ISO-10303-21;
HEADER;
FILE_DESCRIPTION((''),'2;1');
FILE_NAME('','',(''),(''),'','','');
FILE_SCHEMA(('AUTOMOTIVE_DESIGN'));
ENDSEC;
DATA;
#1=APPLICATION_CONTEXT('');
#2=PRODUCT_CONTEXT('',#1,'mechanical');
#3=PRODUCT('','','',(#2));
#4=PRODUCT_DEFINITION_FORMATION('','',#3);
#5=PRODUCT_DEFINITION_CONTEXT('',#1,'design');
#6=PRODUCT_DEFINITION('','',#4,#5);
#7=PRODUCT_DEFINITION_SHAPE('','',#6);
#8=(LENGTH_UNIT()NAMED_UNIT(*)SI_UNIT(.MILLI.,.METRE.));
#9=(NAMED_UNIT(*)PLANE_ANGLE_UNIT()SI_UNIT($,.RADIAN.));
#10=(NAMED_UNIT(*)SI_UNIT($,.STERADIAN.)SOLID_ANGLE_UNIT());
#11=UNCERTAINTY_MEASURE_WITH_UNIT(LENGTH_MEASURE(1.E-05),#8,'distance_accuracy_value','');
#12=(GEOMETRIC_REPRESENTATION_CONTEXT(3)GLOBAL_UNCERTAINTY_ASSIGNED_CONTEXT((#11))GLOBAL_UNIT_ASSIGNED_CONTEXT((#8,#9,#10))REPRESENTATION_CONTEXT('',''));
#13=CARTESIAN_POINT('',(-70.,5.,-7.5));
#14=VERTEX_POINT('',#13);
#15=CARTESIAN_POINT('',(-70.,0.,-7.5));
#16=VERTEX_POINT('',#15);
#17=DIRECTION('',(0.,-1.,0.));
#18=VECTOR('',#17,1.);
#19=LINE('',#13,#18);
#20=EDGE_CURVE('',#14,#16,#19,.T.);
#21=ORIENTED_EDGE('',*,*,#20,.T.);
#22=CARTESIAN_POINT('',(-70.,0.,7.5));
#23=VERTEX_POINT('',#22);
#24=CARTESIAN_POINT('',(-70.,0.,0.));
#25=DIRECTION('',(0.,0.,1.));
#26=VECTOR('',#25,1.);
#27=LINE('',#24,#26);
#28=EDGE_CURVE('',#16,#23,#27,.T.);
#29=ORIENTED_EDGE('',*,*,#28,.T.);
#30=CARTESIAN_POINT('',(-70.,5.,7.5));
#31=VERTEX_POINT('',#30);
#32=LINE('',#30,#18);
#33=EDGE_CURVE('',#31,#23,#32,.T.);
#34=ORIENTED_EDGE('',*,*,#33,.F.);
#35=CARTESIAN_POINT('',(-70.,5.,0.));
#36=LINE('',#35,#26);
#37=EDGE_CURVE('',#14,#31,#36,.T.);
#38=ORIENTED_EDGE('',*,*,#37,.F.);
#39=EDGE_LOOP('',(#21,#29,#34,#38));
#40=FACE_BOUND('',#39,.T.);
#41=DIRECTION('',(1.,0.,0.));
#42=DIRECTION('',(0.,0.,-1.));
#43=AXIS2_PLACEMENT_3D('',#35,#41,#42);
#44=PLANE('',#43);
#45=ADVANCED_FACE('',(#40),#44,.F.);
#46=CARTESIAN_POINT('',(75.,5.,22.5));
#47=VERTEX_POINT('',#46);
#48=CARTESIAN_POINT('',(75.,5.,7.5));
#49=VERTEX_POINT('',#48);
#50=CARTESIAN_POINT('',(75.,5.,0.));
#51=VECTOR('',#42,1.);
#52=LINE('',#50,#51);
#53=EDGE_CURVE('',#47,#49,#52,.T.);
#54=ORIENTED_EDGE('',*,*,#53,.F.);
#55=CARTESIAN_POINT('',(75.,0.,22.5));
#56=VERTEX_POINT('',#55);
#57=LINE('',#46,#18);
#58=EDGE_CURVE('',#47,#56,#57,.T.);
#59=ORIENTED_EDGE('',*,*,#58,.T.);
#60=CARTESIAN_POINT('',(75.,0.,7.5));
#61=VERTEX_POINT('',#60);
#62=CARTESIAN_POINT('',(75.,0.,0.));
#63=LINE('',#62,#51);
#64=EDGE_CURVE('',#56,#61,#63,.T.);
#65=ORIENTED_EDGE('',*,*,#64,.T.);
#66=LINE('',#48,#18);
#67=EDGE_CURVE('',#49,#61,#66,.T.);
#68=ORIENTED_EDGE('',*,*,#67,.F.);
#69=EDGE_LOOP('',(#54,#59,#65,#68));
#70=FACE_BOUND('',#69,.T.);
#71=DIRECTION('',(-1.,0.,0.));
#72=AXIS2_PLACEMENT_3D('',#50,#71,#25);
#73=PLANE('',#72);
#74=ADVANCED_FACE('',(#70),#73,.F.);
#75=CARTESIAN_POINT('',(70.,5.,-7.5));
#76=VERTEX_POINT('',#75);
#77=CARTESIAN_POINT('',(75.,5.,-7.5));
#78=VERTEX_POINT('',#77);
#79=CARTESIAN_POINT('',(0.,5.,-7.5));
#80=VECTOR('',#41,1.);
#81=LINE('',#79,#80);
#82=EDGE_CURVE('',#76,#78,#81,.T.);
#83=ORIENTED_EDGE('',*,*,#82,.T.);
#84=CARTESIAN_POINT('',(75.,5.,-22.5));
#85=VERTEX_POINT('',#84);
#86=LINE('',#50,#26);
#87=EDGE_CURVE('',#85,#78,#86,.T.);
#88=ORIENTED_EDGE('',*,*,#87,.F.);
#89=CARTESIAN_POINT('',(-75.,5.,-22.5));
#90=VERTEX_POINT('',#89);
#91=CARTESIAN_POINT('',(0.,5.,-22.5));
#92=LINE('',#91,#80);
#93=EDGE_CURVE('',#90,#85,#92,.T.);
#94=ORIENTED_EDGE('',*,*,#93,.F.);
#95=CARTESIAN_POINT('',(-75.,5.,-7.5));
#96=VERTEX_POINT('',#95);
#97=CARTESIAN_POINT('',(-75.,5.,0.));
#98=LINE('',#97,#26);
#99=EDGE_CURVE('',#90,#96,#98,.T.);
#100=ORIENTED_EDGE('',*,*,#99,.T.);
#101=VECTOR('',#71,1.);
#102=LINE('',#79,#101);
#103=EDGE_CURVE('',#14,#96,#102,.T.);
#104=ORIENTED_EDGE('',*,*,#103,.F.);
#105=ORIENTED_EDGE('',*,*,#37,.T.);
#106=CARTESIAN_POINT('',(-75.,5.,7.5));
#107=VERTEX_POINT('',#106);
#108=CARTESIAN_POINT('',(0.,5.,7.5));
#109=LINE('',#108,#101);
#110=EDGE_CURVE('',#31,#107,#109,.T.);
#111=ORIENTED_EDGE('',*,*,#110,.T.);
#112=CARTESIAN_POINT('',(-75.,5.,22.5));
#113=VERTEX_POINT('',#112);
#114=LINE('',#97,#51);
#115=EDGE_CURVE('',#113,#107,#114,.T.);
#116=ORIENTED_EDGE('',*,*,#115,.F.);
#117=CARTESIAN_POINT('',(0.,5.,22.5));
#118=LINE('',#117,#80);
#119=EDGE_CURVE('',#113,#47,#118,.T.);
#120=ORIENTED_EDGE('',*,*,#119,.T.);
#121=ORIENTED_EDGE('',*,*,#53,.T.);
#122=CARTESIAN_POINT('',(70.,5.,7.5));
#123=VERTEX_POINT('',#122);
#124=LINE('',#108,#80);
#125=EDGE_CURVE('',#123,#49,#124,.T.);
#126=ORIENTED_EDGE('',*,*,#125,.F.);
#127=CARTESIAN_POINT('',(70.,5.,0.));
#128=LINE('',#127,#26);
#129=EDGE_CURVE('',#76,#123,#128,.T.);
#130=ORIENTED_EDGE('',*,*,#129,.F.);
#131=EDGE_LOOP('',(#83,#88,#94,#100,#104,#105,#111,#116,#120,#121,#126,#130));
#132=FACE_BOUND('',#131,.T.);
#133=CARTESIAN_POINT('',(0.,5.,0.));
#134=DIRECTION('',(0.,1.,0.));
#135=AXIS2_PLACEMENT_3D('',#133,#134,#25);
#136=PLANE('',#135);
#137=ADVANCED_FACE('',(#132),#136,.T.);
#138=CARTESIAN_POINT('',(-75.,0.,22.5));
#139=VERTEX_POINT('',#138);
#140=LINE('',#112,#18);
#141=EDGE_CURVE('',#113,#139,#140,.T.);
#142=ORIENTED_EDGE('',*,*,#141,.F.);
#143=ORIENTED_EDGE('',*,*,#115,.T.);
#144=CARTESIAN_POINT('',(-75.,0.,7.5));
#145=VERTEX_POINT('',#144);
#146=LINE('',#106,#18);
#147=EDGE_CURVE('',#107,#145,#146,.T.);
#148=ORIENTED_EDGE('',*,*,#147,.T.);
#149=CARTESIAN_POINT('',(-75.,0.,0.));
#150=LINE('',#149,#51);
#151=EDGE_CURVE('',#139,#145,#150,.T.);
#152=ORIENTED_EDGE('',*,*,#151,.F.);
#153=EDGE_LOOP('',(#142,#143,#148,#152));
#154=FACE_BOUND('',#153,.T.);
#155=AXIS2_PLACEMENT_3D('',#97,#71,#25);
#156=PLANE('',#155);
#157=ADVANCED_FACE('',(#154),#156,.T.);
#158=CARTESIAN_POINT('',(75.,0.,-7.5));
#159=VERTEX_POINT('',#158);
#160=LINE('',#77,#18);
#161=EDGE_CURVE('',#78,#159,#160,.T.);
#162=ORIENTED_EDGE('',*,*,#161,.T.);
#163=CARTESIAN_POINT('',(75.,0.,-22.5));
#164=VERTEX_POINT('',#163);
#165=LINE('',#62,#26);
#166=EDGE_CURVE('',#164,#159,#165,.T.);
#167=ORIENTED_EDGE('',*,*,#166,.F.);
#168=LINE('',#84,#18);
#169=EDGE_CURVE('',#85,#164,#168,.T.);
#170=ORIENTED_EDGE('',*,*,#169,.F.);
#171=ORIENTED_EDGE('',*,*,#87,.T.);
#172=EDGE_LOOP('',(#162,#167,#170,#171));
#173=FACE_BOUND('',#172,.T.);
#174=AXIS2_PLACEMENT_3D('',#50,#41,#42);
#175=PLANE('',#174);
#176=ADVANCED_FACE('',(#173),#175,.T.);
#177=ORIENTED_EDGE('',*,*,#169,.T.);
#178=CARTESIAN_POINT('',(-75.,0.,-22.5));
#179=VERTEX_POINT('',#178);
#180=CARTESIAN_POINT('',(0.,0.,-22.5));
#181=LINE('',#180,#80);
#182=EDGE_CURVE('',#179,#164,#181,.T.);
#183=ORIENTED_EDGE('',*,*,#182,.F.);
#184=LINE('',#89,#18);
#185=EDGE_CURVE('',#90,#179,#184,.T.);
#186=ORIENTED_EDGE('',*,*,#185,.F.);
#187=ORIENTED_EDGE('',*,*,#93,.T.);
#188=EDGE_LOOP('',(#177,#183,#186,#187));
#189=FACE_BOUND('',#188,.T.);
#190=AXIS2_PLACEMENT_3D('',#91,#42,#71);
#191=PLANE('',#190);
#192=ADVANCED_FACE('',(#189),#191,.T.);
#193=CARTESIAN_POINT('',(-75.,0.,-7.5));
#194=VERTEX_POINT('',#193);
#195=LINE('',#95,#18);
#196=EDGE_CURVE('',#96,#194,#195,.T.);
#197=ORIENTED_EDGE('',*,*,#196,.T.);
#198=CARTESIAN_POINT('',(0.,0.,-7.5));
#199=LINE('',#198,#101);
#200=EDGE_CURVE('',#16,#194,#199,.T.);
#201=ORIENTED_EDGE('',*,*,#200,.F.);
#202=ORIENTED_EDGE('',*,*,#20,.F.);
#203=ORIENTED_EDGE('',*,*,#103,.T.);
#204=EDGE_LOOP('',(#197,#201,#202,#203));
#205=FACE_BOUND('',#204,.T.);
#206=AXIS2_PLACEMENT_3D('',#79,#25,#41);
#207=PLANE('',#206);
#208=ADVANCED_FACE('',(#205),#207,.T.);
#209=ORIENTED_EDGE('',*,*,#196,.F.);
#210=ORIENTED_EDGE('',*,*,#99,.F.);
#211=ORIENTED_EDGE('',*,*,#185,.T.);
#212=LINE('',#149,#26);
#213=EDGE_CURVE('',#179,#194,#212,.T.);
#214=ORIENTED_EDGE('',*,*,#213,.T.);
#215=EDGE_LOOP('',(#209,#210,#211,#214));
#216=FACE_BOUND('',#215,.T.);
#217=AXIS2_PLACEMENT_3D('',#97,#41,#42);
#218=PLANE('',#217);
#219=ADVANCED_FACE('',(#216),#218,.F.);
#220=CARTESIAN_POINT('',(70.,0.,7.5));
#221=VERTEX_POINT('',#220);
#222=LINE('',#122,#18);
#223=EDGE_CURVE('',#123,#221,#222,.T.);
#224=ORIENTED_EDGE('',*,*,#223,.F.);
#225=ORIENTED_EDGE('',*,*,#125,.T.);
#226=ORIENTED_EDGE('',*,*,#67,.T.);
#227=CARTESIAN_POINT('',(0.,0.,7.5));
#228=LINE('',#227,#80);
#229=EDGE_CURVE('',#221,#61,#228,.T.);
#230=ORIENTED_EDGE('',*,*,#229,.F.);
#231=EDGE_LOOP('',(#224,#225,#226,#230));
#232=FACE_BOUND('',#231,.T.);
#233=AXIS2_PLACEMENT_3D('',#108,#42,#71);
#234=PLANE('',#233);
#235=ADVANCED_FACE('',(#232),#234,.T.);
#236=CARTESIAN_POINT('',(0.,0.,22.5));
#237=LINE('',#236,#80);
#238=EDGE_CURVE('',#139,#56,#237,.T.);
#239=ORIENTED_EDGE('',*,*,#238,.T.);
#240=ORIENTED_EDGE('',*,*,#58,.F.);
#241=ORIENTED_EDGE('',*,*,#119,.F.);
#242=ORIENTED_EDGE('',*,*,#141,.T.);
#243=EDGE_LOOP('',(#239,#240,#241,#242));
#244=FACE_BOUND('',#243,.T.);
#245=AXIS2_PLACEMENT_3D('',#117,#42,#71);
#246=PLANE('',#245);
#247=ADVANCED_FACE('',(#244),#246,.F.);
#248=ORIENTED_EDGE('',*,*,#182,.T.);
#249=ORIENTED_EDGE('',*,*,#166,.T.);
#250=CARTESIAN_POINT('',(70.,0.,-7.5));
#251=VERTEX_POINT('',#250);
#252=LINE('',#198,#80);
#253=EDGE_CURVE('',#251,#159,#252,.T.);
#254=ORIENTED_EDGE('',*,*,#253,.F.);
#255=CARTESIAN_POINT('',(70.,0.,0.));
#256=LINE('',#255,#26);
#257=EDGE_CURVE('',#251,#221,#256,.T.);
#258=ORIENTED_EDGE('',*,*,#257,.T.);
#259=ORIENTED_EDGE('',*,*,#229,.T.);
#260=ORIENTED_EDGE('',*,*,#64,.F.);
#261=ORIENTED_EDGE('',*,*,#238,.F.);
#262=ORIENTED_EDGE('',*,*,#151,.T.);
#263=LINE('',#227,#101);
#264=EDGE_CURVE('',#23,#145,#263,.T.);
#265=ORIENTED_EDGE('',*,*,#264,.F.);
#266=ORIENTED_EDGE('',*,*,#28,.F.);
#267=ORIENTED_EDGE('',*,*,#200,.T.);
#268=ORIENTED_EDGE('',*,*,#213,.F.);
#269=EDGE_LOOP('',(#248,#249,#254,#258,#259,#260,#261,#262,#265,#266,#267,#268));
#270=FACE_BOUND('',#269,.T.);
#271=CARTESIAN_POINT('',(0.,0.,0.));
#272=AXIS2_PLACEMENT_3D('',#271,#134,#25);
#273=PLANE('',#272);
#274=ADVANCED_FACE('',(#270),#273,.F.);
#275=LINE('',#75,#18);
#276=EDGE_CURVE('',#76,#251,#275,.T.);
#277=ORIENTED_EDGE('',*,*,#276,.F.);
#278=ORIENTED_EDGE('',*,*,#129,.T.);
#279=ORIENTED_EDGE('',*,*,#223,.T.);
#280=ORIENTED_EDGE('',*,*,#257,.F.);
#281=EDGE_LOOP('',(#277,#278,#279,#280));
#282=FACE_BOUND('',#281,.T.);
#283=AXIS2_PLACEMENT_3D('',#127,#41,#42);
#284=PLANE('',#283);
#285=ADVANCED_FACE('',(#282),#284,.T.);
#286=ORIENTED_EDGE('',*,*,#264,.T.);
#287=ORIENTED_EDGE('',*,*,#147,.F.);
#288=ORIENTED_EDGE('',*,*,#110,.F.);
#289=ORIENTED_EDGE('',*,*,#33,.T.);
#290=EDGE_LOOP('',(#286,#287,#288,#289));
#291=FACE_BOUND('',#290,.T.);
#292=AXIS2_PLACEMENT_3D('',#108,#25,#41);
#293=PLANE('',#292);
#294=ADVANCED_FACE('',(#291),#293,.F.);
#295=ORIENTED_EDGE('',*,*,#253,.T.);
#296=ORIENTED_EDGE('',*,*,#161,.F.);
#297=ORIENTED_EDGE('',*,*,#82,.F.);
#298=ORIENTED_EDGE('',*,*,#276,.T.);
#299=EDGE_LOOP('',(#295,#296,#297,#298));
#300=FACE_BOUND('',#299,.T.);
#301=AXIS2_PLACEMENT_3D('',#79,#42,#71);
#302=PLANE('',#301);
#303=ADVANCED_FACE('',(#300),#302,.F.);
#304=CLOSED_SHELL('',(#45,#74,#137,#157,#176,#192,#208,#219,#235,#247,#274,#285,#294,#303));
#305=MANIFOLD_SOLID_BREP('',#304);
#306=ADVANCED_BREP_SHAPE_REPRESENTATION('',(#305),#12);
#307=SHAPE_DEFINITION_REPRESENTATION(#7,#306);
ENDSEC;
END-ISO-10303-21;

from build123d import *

# Parameters (mm, degrees)
SKETCH_1_W      = 140
SKETCH_1_H      = 45
SKETCH_1_W_2    = 5
SKETCH_1_H_2    = 15
EXTRUDE_1_DEPTH = 5


with BuildPart() as part:
    # 草图1 → 凸台-拉伸1 (new body)
    with BuildSketch(Plane(origin=(0, 0, 0), x_dir=(1, 0, 0), z_dir=(0, 1, 0))):
        Rectangle(SKETCH_1_W, SKETCH_1_H)
        with Locations((-72.5, 15)):
            Rectangle(SKETCH_1_W_2, SKETCH_1_H_2)
        with Locations((-72.5, -15)):
            Rectangle(SKETCH_1_W_2, SKETCH_1_H_2)
        with Locations((72.5, 15)):
            Rectangle(SKETCH_1_W_2, SKETCH_1_H_2)
        with Locations((72.5, -15)):
            Rectangle(SKETCH_1_W_2, SKETCH_1_H_2)
    extrude(amount=EXTRUDE_1_DEPTH)


solid = part.part
